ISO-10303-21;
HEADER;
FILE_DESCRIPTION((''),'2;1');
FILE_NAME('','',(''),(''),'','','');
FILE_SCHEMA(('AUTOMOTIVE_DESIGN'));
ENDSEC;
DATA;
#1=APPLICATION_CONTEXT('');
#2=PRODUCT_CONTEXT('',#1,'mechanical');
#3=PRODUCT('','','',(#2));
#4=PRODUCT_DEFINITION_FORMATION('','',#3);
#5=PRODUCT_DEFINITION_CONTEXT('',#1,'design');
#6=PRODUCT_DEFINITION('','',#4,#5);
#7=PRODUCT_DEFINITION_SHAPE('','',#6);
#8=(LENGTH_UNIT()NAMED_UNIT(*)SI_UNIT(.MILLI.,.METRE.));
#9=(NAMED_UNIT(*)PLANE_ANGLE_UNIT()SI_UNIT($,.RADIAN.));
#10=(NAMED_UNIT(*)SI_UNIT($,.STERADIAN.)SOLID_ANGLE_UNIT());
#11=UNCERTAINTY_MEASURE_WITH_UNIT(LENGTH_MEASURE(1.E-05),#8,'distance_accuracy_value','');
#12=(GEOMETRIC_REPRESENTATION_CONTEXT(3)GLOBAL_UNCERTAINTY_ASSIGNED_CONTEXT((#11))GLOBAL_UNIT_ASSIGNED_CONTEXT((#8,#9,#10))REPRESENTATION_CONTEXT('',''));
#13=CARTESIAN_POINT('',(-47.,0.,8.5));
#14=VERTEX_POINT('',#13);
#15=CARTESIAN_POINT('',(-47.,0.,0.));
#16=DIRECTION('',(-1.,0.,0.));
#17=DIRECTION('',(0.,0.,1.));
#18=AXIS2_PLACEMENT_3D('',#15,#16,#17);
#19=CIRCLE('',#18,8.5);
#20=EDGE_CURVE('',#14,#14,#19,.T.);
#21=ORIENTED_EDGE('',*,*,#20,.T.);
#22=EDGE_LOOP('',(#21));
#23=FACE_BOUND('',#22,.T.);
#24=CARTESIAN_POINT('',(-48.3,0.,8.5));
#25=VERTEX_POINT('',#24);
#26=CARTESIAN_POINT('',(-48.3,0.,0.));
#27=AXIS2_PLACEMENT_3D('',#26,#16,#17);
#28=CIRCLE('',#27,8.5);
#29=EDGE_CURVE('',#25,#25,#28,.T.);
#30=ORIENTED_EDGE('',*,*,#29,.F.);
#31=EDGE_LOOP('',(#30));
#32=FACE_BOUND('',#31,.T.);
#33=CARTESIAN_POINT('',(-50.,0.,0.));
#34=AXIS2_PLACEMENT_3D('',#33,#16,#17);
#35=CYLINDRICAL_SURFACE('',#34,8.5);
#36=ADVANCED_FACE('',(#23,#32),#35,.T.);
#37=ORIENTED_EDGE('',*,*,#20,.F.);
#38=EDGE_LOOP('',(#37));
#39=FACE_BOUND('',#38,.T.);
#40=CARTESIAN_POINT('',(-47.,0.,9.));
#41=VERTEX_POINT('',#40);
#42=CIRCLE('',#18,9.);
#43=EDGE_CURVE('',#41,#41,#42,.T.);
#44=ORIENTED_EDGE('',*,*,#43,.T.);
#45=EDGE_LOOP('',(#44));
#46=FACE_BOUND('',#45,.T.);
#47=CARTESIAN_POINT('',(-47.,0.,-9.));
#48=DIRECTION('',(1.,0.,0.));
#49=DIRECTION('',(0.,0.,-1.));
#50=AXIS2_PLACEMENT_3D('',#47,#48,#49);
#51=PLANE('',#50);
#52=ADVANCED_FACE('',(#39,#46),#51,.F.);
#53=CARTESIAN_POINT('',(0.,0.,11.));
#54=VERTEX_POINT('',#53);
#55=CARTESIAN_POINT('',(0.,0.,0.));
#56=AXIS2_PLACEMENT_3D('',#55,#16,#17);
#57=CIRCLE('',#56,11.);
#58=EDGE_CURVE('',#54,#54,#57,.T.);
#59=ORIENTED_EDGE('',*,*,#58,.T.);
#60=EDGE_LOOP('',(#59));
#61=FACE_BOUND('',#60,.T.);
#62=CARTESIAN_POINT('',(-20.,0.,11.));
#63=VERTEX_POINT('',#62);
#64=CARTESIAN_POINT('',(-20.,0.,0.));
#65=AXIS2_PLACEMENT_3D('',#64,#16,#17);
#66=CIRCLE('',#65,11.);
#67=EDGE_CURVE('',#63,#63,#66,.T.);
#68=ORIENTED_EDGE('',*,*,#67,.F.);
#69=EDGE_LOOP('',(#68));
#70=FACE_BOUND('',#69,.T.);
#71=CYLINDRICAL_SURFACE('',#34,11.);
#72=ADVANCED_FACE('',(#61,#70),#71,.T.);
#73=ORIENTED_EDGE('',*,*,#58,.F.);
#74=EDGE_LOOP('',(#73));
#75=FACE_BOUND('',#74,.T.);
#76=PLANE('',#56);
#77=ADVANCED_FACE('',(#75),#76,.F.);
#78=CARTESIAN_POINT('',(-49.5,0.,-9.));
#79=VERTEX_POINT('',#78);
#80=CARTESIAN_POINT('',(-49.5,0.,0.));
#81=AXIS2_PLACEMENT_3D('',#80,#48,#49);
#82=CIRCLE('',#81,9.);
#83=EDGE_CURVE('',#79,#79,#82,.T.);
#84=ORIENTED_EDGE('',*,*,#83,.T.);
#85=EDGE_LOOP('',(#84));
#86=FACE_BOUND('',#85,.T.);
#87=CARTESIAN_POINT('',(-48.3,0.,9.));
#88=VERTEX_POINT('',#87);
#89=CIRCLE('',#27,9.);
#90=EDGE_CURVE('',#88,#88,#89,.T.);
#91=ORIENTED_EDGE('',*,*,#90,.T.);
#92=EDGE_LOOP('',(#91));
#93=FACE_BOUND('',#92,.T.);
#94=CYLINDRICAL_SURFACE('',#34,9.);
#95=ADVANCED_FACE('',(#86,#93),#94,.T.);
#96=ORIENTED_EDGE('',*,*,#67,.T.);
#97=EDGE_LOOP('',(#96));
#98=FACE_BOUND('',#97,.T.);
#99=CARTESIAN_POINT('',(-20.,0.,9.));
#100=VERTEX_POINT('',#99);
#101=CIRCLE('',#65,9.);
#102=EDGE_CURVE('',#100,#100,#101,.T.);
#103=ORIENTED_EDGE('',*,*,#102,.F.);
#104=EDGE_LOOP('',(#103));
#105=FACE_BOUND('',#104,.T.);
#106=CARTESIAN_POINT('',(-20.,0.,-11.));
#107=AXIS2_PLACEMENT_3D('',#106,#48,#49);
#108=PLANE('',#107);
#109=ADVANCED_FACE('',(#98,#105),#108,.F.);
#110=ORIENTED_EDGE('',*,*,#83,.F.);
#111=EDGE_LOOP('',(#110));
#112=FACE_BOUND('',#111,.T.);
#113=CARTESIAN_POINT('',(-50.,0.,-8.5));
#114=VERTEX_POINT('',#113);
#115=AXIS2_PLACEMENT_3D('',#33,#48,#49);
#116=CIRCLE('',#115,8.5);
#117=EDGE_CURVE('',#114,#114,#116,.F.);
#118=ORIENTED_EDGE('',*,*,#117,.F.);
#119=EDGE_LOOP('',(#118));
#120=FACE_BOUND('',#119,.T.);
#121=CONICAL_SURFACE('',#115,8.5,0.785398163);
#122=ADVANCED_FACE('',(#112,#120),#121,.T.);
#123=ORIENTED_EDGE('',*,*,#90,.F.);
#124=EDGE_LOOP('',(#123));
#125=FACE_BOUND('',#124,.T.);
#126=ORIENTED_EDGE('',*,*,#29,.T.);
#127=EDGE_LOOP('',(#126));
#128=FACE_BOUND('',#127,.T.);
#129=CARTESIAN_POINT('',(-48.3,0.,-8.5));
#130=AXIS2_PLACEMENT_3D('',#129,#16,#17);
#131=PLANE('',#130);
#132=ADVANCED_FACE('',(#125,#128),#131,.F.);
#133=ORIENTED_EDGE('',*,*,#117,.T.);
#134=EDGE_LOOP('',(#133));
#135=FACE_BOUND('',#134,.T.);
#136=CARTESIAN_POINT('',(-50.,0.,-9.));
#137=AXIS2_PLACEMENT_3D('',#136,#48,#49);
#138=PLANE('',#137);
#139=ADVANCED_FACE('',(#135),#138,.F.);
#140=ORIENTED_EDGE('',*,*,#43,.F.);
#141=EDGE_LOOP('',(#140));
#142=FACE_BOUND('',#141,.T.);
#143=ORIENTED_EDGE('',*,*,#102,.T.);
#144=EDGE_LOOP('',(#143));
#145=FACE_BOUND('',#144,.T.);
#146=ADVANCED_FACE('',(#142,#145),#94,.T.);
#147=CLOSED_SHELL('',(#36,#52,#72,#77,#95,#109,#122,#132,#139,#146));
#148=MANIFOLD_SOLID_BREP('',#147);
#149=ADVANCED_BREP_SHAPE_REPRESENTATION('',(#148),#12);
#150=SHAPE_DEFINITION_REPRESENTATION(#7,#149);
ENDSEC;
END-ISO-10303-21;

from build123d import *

# Parameters (mm, degrees)
CHANFRO1_SIZE = 0.5


with BuildPart() as part:
    # Esboço1 → Revolução1 (revolve)
    with BuildSketch(Plane(origin=(0, 0, 0), x_dir=(1, 0, 0), z_dir=(0, 1, 0)), mode=Mode.PRIVATE) as revolu_o1_sk:
        Polygon((0, 0), (0, 11), (-20, 11), (-20, 9), (-47, 9), (-47, 8.5), (-48.3, 8.5), (-48.3, 9), (-50, 9), (-50, 0), align=None)
    revolve(revolu_o1_sk.sketch.rotate(Axis((-50, 0, 0), (1, 0, 0)), 180), axis=Axis((-50, 0, 0), (1, 0, 0)))

    # Chanfro1
    chanfro1_edges = [part.edges().sort_by_distance(p)[0] for p in [
        (-50, 0, -9),
    ]]
    chamfer(chanfro1_edges, length=CHANFRO1_SIZE)


solid = part.part
